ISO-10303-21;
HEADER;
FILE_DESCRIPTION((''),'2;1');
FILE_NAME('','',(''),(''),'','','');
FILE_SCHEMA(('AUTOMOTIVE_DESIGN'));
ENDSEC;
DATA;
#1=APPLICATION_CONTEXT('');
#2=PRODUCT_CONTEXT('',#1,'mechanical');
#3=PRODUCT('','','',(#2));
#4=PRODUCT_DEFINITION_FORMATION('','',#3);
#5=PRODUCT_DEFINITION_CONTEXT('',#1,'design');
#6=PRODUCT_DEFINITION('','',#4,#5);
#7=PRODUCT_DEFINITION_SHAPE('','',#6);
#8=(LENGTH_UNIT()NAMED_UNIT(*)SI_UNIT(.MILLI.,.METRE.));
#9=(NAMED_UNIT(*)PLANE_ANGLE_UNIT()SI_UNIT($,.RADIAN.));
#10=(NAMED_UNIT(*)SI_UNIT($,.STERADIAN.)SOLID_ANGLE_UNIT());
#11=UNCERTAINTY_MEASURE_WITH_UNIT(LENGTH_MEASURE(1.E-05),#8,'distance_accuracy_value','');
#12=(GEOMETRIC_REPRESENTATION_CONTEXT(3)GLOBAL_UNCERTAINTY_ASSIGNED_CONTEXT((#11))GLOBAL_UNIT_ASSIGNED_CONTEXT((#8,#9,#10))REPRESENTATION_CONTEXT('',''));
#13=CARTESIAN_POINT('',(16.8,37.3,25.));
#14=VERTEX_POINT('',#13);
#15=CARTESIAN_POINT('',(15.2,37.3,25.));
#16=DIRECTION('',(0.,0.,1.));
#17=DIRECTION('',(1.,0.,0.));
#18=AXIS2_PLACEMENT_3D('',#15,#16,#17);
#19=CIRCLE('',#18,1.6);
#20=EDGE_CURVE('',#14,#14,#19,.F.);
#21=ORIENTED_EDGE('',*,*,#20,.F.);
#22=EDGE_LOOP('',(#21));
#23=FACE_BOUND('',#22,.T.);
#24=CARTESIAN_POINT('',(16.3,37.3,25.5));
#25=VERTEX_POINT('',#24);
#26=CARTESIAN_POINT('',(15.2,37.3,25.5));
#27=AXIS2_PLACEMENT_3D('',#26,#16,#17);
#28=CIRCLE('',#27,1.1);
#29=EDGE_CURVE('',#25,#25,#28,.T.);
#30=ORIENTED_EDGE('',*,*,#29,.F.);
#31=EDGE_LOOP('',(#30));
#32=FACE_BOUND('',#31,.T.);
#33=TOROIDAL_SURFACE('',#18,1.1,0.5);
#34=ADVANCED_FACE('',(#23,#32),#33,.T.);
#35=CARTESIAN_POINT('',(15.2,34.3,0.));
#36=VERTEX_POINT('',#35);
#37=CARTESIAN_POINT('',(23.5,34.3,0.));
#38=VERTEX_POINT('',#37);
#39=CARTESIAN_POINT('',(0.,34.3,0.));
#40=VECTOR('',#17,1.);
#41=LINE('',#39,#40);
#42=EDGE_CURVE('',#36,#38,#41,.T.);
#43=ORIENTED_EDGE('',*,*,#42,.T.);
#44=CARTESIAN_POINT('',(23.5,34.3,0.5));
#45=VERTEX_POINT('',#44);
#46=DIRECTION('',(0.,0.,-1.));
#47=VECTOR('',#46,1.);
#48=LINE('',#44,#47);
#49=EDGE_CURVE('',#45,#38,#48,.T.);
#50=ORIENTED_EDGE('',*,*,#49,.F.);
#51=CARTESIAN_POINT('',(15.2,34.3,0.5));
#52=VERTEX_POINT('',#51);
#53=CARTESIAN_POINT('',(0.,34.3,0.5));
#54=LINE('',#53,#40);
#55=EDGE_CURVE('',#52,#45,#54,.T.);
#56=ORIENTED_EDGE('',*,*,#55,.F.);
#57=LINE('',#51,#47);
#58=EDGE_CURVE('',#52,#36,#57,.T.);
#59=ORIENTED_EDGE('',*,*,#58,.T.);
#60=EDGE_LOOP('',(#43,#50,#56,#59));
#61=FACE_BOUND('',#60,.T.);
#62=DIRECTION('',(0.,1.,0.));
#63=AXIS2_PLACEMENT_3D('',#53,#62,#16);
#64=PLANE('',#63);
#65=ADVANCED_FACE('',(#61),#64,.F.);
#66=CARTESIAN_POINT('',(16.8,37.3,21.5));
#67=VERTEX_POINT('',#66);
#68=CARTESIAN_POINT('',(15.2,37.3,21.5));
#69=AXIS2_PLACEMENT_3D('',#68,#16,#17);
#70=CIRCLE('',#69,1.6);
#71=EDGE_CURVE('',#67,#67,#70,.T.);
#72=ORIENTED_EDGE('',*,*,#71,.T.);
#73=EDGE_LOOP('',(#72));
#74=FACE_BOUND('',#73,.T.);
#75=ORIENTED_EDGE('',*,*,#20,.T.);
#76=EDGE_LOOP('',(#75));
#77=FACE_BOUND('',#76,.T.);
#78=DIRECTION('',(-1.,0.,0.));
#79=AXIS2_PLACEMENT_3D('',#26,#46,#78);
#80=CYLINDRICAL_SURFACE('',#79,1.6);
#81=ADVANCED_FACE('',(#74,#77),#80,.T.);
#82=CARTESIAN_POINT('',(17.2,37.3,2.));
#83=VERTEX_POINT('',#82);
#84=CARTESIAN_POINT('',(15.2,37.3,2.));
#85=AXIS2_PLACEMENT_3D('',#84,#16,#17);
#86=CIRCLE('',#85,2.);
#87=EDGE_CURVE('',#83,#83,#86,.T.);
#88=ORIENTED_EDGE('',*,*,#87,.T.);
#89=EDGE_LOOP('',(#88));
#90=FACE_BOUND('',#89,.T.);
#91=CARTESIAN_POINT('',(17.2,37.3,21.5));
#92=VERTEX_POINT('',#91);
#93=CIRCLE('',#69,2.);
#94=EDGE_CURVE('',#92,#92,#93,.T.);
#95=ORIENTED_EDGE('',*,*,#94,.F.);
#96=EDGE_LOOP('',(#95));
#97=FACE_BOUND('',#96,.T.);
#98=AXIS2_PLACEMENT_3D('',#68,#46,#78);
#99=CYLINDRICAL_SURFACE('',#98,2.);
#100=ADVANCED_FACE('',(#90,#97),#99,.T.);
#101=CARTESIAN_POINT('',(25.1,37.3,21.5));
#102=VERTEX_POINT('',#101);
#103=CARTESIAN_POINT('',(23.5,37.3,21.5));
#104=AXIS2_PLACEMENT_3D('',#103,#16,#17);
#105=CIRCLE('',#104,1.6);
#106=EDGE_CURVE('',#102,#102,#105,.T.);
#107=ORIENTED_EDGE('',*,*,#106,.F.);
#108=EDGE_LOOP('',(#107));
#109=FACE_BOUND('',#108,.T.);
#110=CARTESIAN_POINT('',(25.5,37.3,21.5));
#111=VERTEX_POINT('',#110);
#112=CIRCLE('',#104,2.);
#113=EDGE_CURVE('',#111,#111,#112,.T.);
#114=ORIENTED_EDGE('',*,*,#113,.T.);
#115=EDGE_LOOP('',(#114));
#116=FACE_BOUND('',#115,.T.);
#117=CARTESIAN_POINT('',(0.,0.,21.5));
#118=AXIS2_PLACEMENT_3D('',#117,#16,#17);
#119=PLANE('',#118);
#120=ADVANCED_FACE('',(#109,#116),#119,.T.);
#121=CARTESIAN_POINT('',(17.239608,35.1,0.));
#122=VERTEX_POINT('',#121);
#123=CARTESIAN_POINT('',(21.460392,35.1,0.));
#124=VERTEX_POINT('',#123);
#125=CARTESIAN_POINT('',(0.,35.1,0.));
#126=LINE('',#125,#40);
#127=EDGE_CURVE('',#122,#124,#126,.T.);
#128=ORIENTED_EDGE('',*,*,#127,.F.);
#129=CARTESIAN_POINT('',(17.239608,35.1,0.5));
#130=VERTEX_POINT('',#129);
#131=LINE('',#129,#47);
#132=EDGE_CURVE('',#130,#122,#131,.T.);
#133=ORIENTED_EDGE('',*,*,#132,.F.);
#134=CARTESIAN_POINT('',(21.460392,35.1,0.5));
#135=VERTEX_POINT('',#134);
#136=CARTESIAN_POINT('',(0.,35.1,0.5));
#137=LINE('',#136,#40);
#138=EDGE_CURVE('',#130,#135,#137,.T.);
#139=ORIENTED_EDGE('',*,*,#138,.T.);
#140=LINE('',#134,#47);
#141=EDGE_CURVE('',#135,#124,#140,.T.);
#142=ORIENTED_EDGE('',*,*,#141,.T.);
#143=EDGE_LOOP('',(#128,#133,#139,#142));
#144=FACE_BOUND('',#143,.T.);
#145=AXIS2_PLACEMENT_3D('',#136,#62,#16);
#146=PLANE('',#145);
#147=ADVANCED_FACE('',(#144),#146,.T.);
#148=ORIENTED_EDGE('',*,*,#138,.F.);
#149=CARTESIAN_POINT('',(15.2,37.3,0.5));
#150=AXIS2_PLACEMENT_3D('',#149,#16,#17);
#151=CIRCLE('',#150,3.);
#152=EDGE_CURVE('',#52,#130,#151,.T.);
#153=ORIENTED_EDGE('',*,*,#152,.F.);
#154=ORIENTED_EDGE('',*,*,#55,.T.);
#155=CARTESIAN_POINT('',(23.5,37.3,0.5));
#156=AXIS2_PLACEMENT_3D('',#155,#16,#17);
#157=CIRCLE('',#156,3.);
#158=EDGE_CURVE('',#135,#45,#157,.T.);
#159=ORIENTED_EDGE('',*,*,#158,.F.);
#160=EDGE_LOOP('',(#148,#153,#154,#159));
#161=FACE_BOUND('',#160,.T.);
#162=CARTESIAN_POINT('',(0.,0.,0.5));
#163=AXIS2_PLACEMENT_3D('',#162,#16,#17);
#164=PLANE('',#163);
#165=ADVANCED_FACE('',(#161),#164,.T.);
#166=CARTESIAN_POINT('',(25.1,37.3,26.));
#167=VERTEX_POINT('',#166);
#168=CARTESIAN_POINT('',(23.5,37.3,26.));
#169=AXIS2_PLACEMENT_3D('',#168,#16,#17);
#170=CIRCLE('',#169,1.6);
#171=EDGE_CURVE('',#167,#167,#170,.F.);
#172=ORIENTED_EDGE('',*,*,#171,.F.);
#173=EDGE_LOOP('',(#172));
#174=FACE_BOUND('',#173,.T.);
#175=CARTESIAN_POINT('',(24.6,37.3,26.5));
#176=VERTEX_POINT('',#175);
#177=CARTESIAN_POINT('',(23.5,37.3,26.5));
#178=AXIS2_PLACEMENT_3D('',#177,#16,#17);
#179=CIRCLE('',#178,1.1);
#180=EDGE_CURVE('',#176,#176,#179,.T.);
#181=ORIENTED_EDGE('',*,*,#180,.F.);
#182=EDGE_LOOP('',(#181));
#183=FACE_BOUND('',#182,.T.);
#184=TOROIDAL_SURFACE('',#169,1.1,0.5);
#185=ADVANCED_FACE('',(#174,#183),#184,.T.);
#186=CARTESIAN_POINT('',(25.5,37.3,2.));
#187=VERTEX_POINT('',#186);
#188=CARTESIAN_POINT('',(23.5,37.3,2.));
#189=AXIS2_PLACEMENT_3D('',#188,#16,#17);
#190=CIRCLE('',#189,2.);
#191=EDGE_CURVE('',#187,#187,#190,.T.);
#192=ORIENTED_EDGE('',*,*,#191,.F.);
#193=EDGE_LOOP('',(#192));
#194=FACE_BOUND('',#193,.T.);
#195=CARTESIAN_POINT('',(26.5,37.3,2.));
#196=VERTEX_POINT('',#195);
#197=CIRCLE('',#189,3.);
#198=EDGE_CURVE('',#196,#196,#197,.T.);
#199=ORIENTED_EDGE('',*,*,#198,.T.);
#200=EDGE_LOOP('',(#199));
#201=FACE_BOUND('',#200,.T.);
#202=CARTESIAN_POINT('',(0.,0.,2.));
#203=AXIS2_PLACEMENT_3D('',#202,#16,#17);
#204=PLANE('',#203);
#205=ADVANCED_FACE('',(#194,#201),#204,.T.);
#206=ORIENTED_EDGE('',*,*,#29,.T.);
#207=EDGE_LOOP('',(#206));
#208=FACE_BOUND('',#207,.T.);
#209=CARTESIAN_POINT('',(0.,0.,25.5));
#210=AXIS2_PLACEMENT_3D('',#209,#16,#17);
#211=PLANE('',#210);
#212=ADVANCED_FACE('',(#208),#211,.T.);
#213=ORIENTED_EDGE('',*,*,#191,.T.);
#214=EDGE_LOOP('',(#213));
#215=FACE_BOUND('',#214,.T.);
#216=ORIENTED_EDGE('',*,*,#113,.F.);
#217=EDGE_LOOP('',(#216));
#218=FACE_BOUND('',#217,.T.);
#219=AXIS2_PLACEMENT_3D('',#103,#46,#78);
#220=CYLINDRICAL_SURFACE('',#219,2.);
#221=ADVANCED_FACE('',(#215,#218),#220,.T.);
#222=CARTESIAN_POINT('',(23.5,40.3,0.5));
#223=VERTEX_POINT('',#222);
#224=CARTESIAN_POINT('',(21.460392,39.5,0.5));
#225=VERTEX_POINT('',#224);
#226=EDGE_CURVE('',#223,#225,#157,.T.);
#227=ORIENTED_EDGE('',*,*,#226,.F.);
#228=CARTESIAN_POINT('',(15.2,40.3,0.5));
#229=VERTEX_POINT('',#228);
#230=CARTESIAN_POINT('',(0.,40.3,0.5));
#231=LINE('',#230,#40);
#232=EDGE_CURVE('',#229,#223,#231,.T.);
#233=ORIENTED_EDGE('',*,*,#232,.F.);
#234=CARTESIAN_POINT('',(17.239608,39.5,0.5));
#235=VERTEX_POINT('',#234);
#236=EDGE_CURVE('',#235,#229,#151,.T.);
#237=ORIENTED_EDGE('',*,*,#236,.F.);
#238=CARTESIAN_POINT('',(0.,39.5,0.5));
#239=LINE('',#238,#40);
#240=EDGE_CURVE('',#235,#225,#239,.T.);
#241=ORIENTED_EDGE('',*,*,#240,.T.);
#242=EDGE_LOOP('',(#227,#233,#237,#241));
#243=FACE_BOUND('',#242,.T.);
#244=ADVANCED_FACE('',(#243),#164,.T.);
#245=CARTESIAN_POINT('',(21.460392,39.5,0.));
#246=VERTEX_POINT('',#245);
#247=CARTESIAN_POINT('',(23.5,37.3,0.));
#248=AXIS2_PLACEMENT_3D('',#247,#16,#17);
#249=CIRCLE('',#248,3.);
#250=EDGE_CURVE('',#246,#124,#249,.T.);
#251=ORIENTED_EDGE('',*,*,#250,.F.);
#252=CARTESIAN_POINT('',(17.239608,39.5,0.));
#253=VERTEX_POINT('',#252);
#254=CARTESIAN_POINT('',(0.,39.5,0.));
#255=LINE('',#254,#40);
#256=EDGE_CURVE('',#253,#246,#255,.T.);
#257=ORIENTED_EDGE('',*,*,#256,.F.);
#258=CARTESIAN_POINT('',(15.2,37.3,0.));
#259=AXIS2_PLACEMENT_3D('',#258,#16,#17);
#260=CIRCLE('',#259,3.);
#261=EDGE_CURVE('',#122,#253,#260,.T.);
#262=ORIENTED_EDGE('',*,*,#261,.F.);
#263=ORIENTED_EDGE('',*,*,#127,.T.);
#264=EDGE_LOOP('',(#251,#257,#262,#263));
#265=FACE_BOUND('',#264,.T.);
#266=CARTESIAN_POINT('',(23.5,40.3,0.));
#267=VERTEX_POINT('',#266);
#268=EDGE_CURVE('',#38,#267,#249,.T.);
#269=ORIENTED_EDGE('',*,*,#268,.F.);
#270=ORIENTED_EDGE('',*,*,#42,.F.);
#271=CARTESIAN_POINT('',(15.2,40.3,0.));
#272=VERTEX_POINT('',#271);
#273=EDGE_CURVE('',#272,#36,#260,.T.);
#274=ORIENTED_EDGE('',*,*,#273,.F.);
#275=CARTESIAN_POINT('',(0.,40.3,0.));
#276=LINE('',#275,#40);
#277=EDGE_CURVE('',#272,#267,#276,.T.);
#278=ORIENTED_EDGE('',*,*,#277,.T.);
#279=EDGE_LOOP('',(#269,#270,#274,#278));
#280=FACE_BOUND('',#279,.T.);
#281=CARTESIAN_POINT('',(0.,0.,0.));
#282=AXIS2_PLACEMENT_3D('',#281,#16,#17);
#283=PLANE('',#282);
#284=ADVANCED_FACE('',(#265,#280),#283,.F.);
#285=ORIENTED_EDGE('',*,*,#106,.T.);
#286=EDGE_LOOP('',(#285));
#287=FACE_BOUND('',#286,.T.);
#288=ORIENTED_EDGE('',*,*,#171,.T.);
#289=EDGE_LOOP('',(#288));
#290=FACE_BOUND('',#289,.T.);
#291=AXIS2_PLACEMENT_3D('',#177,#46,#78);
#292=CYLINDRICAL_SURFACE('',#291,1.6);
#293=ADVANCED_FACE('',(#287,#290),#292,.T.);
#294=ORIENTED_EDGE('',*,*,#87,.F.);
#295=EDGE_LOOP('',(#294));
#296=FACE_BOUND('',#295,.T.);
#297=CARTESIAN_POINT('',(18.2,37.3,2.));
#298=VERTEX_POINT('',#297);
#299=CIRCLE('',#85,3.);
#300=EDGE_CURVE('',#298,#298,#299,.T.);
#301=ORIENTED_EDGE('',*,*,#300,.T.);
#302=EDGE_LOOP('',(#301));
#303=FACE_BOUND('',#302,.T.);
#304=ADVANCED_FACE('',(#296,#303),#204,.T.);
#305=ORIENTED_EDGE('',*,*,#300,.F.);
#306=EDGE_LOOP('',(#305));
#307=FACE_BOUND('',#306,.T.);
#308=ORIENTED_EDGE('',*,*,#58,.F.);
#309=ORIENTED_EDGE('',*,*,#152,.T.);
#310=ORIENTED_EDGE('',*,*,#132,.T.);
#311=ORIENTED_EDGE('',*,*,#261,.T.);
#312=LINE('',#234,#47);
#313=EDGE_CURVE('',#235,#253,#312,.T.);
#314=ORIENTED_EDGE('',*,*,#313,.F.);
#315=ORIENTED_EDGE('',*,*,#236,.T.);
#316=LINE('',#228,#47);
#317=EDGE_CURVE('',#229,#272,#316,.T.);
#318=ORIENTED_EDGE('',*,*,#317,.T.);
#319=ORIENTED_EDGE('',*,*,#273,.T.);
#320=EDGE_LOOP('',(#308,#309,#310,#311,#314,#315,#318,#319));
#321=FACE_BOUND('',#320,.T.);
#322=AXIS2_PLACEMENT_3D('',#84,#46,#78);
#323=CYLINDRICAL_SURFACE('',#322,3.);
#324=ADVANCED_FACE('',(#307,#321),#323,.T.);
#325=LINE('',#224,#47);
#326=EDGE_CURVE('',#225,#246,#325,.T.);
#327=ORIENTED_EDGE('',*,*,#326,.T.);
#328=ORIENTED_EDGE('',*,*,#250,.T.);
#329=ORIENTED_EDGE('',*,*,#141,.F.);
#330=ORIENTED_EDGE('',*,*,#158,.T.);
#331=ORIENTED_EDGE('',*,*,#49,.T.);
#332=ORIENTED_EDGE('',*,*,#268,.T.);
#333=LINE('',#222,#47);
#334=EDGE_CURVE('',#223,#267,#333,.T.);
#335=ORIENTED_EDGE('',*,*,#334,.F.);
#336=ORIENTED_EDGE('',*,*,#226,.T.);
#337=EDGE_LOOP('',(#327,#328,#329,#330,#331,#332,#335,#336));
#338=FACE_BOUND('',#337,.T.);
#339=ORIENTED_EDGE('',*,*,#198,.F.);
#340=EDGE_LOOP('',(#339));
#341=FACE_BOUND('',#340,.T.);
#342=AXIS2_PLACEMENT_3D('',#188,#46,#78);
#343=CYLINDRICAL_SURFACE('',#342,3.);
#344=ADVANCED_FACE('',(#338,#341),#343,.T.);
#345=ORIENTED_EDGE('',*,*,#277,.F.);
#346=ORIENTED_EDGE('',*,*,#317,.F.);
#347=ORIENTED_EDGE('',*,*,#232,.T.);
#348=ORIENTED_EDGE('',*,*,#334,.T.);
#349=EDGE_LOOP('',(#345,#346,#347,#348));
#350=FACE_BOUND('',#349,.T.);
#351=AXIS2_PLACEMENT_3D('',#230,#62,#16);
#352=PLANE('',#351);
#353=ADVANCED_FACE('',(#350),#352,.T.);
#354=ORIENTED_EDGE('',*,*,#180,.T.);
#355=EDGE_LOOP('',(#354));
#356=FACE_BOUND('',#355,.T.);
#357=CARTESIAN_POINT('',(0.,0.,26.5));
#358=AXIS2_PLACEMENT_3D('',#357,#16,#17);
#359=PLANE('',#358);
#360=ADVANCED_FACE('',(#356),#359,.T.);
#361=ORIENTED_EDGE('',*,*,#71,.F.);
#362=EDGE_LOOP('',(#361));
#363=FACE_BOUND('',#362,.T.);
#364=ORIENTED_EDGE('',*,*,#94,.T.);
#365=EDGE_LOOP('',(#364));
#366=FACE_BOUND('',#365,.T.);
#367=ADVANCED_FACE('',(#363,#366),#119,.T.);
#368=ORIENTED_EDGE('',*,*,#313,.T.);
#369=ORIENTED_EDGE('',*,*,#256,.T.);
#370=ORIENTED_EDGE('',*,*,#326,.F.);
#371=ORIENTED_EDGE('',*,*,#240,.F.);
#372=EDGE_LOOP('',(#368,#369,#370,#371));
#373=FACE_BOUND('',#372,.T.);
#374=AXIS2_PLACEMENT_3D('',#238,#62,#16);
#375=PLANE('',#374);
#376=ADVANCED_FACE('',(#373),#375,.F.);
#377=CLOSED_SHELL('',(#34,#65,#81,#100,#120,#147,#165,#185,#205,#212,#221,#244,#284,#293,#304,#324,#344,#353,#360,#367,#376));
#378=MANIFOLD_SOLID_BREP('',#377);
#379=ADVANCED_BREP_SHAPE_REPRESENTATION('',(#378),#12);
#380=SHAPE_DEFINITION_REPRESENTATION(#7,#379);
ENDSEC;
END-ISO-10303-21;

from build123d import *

# Parameters (mm, degrees)
SKETCH_2_R        = 2
SKETCH_2_R_2      = 1.6
EXTRUDE_3_DEPTH   = 21.5
EXTRUDE_3_2_DEPTH = 21.5
SKETCH_2_8_R      = 1.6
EXTRUDE_4_DEPTH   = 26.5
SKETCH_2_9_R      = 3
SKETCH_2_9_R_2    = 2
EXTRUDE_5_DEPTH   = 2
EXTRUDE_7_DEPTH   = 0.5
FILLET_1_R        = 0.5
SKETCH_2_12_R     = 1.6
EXTRUDE_8_DEPTH   = 25.5
FILLET_3_R        = 0.5


with BuildPart() as part:
    # 草图2 → 凸台-拉伸3 (new body)
    with BuildSketch(Plane.XY):
        with Locations((23.5, 37.3)):
            Circle(SKETCH_2_R)
        with Locations((23.5, 37.3)):
            Circle(SKETCH_2_R_2, mode=Mode.SUBTRACT)
    extrude(amount=EXTRUDE_3_DEPTH)

    # 草图2<8> → 凸台-拉伸4 (add)
    with BuildSketch(Plane.XY):
        with Locations((23.5, 37.3)):
            Circle(SKETCH_2_8_R)
    extrude(amount=EXTRUDE_4_DEPTH)

    # 草图2<9> → 凸台-拉伸5 (add)
    # profile 1 of 2: a face of its own
    with BuildSketch(Plane.XY):
        with Locations((15.2, 37.3)):
            Circle(SKETCH_2_9_R)
        with Locations((15.2, 37.3)):
            Circle(SKETCH_2_9_R_2, mode=Mode.SUBTRACT)
    # profile 2 of 2: a face of its own
    with BuildSketch(Plane.XY):
        with Locations((23.5, 37.3)):
            Circle(SKETCH_2_9_R)
        with Locations((23.5, 37.3)):
            Circle(SKETCH_2_9_R_2, mode=Mode.SUBTRACT)
    extrude(amount=EXTRUDE_5_DEPTH)


with BuildPart() as body_2:
    # 草图2 → Extrude 3 2 (new body)
    with BuildSketch(Plane.XY):
        with Locations((15.2, 37.3)):
            Circle(SKETCH_2_R)
        with Locations((15.2, 37.3)):
            Circle(SKETCH_2_R_2, mode=Mode.SUBTRACT)
    extrude(amount=EXTRUDE_3_2_DEPTH)


with BuildPart() as extrude_5_piece_1:
    # of the separate pieces the step leaves, piece 1, a body of its own (extrude_5_pieces)
    add(part.part.solids().sort_by_distance((25.5, 37.3, 2))[0])

    # 草图2<11> → 凸台-拉伸7 (add)
    with BuildSketch(Plane.XY):
        with BuildLine():
            ThreePointArc((17.239607805, 35.1), (16.295445115, 34.507151991), (15.2, 34.3))
            Line((15.2, 34.3), (23.5, 34.3))
            ThreePointArc((23.5, 34.3), (22.404554885, 34.507151991), (21.460392195, 35.1))
            Line((21.460392195, 35.1), (17.239607805, 35.1))
        make_face()
        with BuildLine():
            Line((23.5, 40.3), (15.2, 40.3))
            ThreePointArc((15.2, 40.3), (16.295445115, 40.092848009), (17.239607805, 39.5))
            Line((17.239607805, 39.5), (21.460392195, 39.5))
            ThreePointArc((21.460392195, 39.5), (22.404554885, 40.092848009), (23.5, 40.3))
        make_face()
    extrude(amount=EXTRUDE_7_DEPTH)

    # 圆角1
    fillet_1_edges = [extrude_5_piece_1.edges().sort_by_distance(p)[0] for p in [
        (21.9, 37.3, 26.5),
    ]]
    fillet(fillet_1_edges, radius=FILLET_1_R)



with BuildPart() as extrude_5_piece_2:
    # of the separate pieces the step leaves, piece 2, a body of its own (extrude_5_pieces)
    add(part.part.solids().sort_by_distance((18.2, 37.3, 0))[0])


with BuildPart() as extrude_5_piece_1_1:
    add(extrude_5_piece_1.part)

    add(extrude_5_piece_2.part)  # 凸台-拉伸8 merges 凸台-拉伸5 piece 2

    add(body_2.part)  # 凸台-拉伸8 merges body 2
    # 草图2<12> → 凸台-拉伸8 (add)
    with BuildSketch(Plane.XY):
        with Locations((15.2, 37.3)):
            Circle(SKETCH_2_12_R)
    extrude(amount=EXTRUDE_8_DEPTH)

    # 圆角3
    fillet_3_edges = [extrude_5_piece_1_1.edges().sort_by_distance(p)[0] for p in [
        (13.6, 37.3, 25.5),
    ]]
    fillet(fillet_3_edges, radius=FILLET_3_R)


solid = extrude_5_piece_1_1.part
